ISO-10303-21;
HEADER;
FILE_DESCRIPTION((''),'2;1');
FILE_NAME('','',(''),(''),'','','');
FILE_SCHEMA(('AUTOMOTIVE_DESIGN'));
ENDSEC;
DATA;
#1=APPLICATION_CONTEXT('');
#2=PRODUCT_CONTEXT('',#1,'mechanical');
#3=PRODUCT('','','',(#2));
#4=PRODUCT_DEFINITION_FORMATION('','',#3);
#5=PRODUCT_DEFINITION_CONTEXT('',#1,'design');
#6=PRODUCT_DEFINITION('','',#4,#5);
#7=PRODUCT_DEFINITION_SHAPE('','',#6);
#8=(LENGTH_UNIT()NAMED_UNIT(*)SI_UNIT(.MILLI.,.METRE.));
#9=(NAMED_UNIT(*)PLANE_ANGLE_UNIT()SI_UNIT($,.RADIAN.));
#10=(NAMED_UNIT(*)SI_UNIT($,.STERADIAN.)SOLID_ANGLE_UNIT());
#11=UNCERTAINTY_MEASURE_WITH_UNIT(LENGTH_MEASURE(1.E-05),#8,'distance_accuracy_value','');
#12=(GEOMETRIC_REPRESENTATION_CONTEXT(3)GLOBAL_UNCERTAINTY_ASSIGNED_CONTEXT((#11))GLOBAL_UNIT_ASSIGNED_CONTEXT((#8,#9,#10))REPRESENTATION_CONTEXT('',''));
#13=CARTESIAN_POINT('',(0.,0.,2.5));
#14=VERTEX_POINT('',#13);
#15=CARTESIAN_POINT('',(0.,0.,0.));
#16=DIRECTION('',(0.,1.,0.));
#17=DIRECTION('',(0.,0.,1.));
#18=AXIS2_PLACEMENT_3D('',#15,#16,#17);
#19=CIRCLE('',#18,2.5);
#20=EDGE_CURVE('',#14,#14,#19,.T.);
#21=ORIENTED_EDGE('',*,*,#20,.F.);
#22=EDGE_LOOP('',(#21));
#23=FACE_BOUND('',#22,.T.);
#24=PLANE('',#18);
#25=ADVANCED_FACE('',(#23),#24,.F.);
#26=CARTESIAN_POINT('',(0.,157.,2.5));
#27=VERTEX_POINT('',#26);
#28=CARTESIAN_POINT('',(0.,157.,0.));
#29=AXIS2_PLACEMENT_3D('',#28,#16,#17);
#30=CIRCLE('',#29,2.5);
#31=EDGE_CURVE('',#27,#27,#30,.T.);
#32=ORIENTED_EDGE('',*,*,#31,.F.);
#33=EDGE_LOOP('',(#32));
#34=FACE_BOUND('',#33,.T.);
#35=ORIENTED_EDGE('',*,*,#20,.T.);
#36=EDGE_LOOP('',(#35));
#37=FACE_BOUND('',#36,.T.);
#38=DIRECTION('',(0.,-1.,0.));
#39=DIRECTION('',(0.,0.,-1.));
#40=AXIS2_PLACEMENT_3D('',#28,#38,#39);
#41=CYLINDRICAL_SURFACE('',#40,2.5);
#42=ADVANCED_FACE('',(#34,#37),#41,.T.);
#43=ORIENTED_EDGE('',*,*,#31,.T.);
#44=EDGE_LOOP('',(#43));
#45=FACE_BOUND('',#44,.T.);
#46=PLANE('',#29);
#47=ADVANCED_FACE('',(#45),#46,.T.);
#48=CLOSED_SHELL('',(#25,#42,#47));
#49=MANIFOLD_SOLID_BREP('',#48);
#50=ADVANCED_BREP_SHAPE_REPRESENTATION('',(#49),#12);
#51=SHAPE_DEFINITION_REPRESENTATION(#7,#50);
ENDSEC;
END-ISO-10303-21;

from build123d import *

# Parameters (mm, degrees)
SKETCH_1_R      = 2.5
EXTRUDE_1_DEPTH = 157


with BuildPart() as part:
    # Эскиз1 → Вытянуть1 (new body)
    with BuildSketch(Plane(origin=(0, 0, 0), x_dir=(1, 0, 0), z_dir=(0, 1, 0))):
        with Locations(Location((0, 0, 0), (0, 0, 270))):
            Circle(SKETCH_1_R)
    extrude(amount=EXTRUDE_1_DEPTH)


solid = part.part
